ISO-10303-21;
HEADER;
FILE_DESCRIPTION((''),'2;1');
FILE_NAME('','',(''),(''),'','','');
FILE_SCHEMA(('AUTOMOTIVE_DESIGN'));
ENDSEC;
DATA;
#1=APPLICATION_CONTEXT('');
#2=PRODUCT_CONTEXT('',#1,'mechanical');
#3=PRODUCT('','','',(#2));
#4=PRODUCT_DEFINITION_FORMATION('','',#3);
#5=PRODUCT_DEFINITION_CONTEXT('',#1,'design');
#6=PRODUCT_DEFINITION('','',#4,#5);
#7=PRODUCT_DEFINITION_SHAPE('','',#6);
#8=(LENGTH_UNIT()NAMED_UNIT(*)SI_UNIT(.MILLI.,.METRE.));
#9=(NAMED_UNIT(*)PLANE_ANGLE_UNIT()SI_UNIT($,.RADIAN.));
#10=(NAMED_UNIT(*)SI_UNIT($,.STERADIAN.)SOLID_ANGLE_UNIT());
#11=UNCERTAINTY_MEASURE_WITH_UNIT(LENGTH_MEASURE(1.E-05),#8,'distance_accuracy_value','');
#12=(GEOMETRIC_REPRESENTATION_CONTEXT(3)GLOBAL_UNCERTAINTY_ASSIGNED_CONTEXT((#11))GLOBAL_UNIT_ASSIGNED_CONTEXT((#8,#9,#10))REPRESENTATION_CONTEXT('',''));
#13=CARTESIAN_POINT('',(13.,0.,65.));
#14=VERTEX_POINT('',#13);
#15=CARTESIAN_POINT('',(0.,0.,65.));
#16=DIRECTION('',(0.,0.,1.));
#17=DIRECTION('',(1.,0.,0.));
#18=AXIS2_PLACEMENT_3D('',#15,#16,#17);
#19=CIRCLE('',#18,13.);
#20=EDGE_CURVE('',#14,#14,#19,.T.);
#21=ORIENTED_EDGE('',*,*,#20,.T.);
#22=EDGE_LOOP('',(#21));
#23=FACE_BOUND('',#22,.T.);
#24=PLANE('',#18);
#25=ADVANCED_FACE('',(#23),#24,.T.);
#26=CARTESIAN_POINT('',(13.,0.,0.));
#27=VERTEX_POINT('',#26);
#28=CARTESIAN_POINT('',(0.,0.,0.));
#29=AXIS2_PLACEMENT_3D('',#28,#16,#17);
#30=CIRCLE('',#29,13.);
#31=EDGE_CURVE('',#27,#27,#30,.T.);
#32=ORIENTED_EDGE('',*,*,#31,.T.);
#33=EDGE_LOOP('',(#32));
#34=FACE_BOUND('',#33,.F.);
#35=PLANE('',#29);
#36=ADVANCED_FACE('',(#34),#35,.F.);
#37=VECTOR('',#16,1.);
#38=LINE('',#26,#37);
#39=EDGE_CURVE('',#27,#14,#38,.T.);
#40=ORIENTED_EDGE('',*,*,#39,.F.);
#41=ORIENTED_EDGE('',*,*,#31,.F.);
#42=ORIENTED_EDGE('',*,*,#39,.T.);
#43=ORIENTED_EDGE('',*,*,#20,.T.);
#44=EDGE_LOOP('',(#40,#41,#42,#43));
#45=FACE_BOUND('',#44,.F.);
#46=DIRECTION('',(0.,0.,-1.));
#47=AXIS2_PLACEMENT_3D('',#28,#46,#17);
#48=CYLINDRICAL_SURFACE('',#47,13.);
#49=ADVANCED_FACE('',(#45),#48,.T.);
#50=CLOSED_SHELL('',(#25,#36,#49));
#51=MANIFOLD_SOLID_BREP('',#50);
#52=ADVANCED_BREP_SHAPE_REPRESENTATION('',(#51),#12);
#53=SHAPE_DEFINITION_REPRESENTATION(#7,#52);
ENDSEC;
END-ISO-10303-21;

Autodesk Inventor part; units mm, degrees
ref_plane "YZ Plane" through (0, 0, 0) normal (1, 0, 0) x (0, 1, 0)
ref_plane "XZ Plane" through (0, 0, 0) normal (0, 1, 0) x (-1, 0, 0)
ref_plane "XY Plane" through (0, 0, 0) normal (0, 0, 1) x (1, 0, 0)
sketch "Sketch1" plane through (0, 0, 0) normal (0, 0, 1) x (1, 0, 0)
  circle A0 centre (0, 0) radius 13
  dimension "d0" = 26
extrude "Extrusion1" add sketch "Sketch1" along normal blind 65
properties part number "battery_26650_lifepo4"
